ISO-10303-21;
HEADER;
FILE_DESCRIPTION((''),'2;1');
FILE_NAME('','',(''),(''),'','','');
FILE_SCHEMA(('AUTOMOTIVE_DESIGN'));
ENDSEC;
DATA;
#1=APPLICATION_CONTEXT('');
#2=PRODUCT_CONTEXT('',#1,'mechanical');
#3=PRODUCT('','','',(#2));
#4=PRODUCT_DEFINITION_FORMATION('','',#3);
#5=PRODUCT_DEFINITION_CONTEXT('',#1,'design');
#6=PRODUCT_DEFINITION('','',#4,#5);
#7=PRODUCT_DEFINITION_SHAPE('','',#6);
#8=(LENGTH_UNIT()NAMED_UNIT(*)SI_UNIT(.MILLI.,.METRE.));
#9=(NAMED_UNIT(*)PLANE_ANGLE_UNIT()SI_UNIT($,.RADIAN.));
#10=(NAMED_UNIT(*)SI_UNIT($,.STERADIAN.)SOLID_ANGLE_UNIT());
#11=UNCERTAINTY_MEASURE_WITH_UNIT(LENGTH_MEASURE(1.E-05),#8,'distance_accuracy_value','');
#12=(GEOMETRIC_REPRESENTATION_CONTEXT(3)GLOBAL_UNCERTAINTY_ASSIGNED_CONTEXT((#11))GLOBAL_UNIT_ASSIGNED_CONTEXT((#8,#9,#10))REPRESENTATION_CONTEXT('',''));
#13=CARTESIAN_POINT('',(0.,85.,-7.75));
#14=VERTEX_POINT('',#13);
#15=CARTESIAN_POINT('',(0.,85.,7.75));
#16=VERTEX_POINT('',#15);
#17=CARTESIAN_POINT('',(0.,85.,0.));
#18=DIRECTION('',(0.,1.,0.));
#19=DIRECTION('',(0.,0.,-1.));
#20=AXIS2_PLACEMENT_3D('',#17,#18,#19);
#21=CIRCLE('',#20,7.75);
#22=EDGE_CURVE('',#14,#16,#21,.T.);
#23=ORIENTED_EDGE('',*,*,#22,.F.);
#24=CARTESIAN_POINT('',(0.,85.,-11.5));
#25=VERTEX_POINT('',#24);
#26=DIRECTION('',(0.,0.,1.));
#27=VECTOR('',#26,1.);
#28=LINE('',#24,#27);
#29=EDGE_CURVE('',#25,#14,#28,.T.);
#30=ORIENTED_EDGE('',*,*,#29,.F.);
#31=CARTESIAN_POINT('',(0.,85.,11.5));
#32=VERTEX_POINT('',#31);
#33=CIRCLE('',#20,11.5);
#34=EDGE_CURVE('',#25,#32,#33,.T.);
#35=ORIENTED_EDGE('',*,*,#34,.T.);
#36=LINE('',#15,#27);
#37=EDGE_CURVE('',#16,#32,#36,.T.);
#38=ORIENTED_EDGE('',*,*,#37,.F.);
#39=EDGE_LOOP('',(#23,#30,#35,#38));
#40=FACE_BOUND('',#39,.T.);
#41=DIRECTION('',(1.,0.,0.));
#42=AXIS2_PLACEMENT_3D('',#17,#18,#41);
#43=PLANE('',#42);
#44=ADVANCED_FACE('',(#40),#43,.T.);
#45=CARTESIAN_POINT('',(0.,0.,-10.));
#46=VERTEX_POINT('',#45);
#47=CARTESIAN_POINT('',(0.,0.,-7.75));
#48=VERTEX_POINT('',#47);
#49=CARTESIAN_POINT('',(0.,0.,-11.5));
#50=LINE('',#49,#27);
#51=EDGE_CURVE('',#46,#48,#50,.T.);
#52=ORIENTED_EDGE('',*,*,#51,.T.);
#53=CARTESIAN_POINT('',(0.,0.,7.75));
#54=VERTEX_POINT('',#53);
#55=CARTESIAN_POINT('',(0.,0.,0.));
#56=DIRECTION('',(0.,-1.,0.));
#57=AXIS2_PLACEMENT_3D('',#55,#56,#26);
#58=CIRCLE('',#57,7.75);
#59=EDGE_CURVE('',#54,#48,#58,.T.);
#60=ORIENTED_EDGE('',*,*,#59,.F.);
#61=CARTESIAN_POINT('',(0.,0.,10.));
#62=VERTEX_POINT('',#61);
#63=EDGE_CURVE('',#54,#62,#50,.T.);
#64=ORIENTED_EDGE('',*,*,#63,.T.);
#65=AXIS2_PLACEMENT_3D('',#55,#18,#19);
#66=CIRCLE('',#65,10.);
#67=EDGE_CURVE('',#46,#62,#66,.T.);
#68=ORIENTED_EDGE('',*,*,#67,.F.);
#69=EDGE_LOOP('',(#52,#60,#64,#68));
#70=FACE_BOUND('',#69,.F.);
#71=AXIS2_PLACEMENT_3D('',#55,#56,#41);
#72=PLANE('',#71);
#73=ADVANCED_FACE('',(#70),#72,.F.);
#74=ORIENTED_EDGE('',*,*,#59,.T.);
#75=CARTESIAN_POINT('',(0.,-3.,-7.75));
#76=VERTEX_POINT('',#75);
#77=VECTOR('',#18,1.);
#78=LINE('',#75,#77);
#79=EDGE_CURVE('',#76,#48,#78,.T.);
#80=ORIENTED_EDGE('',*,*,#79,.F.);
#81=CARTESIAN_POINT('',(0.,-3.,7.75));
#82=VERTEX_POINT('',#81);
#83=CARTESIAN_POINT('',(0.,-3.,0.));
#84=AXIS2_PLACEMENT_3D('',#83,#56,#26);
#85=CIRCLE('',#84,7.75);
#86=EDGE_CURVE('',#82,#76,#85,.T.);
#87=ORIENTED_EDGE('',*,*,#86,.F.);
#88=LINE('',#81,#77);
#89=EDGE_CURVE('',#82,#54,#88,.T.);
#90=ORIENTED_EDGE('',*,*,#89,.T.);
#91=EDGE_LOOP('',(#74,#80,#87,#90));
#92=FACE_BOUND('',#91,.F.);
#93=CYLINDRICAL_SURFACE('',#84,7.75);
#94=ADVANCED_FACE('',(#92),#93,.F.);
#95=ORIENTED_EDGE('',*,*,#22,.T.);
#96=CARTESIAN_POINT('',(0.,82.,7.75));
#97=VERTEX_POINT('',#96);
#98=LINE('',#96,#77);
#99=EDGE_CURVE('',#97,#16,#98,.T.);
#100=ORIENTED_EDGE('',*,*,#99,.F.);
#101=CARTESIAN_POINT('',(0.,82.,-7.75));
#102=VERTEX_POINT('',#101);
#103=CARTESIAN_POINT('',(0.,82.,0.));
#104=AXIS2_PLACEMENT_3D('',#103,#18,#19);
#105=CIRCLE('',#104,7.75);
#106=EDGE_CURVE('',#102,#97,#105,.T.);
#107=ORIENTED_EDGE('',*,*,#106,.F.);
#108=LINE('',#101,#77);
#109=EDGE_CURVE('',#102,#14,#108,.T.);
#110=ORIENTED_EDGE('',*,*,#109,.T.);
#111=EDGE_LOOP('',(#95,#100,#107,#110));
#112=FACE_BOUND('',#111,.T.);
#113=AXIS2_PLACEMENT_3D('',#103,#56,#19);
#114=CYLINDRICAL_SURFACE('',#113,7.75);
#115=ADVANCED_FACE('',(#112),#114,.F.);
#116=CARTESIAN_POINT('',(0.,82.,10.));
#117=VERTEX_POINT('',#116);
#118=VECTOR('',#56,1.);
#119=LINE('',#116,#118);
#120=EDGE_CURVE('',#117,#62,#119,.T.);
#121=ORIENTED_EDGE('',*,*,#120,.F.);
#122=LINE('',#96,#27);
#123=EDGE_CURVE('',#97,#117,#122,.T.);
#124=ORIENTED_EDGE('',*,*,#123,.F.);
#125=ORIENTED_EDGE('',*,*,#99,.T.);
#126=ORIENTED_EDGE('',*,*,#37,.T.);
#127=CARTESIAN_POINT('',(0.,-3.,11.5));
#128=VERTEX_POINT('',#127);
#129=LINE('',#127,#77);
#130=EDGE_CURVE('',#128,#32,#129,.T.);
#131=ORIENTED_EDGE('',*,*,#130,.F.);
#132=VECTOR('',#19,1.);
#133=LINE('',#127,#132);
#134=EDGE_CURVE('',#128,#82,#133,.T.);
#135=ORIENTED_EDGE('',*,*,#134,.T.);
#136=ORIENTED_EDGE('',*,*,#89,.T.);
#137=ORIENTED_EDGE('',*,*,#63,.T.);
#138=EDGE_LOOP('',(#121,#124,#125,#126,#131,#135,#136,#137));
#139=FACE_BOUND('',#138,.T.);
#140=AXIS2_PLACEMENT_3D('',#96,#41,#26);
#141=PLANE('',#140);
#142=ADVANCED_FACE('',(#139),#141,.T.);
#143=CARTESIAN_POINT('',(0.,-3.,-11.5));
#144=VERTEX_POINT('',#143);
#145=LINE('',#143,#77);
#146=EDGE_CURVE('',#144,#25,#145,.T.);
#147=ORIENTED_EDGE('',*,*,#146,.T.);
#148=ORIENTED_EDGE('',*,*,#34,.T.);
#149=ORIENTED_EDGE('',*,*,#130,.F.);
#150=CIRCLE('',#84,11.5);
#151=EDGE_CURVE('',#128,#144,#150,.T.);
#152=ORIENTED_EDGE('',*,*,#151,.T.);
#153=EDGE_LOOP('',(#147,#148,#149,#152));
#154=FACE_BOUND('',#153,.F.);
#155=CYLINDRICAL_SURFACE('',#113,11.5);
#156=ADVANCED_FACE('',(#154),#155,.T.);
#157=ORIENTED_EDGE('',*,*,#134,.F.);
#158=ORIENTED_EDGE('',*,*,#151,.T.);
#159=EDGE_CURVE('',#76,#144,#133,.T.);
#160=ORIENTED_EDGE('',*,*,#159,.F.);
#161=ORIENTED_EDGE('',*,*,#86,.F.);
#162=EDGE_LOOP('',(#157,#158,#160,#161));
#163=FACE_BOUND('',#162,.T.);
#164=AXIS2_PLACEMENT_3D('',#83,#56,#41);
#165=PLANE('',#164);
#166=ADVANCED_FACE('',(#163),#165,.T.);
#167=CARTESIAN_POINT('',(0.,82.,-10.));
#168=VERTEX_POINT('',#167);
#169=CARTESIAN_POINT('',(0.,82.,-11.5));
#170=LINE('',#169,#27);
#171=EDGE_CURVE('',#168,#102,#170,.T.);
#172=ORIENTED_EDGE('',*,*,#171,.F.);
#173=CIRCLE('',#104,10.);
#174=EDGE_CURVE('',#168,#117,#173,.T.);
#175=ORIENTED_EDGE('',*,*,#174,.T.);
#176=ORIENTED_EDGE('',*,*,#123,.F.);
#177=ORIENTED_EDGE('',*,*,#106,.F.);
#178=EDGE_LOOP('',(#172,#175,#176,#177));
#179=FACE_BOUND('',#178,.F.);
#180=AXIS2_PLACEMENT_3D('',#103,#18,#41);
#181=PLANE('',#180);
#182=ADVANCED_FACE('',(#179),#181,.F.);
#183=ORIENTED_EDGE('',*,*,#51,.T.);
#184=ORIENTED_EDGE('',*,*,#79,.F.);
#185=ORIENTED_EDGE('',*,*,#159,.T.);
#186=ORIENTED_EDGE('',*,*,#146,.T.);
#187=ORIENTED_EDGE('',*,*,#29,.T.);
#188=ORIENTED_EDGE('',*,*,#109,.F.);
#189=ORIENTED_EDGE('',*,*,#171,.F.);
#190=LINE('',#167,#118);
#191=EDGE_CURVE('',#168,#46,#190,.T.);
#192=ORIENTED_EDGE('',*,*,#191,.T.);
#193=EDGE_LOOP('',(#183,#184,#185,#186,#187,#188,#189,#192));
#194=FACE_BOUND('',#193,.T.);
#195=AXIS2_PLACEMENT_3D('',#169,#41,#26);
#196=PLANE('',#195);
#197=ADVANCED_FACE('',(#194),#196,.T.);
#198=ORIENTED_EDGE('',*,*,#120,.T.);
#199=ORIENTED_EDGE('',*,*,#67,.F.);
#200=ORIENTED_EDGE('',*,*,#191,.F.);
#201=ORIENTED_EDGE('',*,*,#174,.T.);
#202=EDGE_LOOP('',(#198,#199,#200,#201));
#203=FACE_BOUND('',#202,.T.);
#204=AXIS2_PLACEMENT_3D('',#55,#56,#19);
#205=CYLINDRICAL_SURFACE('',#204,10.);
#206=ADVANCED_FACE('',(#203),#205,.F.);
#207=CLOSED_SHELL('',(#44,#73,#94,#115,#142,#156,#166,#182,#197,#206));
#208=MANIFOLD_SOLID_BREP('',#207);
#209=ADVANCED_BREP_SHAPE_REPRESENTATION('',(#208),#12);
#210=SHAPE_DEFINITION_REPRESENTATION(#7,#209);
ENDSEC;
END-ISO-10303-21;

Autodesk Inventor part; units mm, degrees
ref_plane "YZ Plane" through (0, 0, 0) normal (1, 0, 0) x (0, 1, 0)
ref_plane "XZ Plane" through (0, 0, 0) normal (0, 1, 0) x (-1, 0, 0)
ref_plane "XY Plane" through (0, 0, 0) normal (0, 0, 1) x (1, 0, 0)
sketch "草圖1" plane through (0, 0, 0) normal (0, 1, 0) x (-1, 0, 0)
  arc A0 (0, -10) -> (0, 10) centre (0, 0) ccw
  arc A1 (0, -11.5) -> (0, 11.5) centre (0, 0) ccw
  line L0 (0, 11.5) -> (0, 10)
  line L1 (0, -10) -> (0, -11.5)
  dimension "d0" = 20
  dimension "d1" = 23
extrude "擠出1" add sketch "草圖1" along normal blind 41
sketch "草圖2" plane through (0, 41, 0) normal (0, 1, 0) x (1, 0, 0)
  line L0 (0, -11.5) -> (0, -10) projected
  arc A0 (0, 11.5) -> (0, -11.5) centre (0, 0) ccw projected
  line L1 (0, 10) -> (0, 11.5) projected
  line L2 (0, -10) -> (0, 10)
extrude "擠出2" add sketch "草圖2" along normal blind 3
sketch "草圖3" plane through (0, 44, 0) normal (0, 1, 0) x (1, 0, 0)
  arc A0 (0, 7.75) -> (0, -7.75) centre (0, 0) ccw
  line L0 (0, -10) -> (0, 10) projected
  line L1 (0, -7.75) -> (0, 7.75)
  dimension "d7" = 15.5
extrude "擠出3" cut sketch "草圖3" against normal up to next
sketch "草圖5" plane through (0, 0, 0) normal (0, -1, 0) x (1, 0, 0)
  arc A0 (0, 10) -> (0, -10) centre (0, 0) ccw projected
  line L0 (0, 10) -> (0, 11.5) projected
  arc A1 (0, 11.5) -> (0, -11.5) centre (0, 0) ccw projected
  line L1 (0, -11.5) -> (0, -10) projected
  line L2 (0, 11.5) -> (0, -11.5)
extrude "擠出4" add sketch "草圖5" along normal blind 3
sketch "草圖7" plane through (0, -3, 0) normal (0, -1, 0) x (1, 0, 0)
  arc A0 (0, 7.75) -> (0, -7.75) centre (0, 0) ccw
  line L0 (0, -11.5) -> (0, 11.5) projected
  line L1 (0, -7.75) -> (0, 7.75)
  dimension "d13" = 15.5
extrude "擠出5" cut sketch "草圖7" against normal up to next
sketch "草圖8" plane through (0, 44, 0) normal (0, 1, 0) x (1, 0, 0)
  arc A0 (0, 11.5) -> (0, -11.5) centre (0, 0) ccw projected
  arc A1 (0, 10) -> (0, -10) centre (0, 0) ccw projected
  line L0 (0, 7.75) -> (0, 11.5) projected
  line L1 (0, 11.5) -> (0, 10)
  line L2 (0, -10) -> (0, -11.5)
extrude "擠出6" add sketch "草圖8" along normal blind 38
sketch "草圖9" plane through (0, 82, 0) normal (0, 1, 0) x (1, 0, 0)
  arc A0 (0, 11.5) -> (0, -11.5) centre (0, 0) ccw projected
  arc A1 (0, 7.75) -> (0, -7.75) centre (0, 0) ccw projected
  line L0 (0, 11.5) -> (0, 7.75) projected
  line L1 (0, -7.75) -> (0, -11.5) projected
extrude "擠出7" add sketch "草圖9" along normal blind 3
sketch "草圖10" plane through (0, 44, 0) normal (0, 1, 0) x (1, 0, 0)
  arc A0 (0, 10) -> (0, -10) centre (0, 0) ccw projected
  line L0 (0, -10) -> (0, -7.75) projected
  arc A1 (0, 7.75) -> (0, -7.75) centre (0, 0) ccw projected
  line L1 (0, 7.75) -> (0, 10) projected
extrude "擠出8" cut sketch "草圖10" against normal blind 3
sketch "Sketch11" plane through (0, 0, 0) normal (0, 0, 1) x (1, 0, 0)
  line L0 (0, 85) -> (-11.5, 85) projected
  line L1 (-11.5, -3) -> (0, -3) projected
  point P0 (0, 0)
  dimension "d22" = 88
properties part number "蓋子"
